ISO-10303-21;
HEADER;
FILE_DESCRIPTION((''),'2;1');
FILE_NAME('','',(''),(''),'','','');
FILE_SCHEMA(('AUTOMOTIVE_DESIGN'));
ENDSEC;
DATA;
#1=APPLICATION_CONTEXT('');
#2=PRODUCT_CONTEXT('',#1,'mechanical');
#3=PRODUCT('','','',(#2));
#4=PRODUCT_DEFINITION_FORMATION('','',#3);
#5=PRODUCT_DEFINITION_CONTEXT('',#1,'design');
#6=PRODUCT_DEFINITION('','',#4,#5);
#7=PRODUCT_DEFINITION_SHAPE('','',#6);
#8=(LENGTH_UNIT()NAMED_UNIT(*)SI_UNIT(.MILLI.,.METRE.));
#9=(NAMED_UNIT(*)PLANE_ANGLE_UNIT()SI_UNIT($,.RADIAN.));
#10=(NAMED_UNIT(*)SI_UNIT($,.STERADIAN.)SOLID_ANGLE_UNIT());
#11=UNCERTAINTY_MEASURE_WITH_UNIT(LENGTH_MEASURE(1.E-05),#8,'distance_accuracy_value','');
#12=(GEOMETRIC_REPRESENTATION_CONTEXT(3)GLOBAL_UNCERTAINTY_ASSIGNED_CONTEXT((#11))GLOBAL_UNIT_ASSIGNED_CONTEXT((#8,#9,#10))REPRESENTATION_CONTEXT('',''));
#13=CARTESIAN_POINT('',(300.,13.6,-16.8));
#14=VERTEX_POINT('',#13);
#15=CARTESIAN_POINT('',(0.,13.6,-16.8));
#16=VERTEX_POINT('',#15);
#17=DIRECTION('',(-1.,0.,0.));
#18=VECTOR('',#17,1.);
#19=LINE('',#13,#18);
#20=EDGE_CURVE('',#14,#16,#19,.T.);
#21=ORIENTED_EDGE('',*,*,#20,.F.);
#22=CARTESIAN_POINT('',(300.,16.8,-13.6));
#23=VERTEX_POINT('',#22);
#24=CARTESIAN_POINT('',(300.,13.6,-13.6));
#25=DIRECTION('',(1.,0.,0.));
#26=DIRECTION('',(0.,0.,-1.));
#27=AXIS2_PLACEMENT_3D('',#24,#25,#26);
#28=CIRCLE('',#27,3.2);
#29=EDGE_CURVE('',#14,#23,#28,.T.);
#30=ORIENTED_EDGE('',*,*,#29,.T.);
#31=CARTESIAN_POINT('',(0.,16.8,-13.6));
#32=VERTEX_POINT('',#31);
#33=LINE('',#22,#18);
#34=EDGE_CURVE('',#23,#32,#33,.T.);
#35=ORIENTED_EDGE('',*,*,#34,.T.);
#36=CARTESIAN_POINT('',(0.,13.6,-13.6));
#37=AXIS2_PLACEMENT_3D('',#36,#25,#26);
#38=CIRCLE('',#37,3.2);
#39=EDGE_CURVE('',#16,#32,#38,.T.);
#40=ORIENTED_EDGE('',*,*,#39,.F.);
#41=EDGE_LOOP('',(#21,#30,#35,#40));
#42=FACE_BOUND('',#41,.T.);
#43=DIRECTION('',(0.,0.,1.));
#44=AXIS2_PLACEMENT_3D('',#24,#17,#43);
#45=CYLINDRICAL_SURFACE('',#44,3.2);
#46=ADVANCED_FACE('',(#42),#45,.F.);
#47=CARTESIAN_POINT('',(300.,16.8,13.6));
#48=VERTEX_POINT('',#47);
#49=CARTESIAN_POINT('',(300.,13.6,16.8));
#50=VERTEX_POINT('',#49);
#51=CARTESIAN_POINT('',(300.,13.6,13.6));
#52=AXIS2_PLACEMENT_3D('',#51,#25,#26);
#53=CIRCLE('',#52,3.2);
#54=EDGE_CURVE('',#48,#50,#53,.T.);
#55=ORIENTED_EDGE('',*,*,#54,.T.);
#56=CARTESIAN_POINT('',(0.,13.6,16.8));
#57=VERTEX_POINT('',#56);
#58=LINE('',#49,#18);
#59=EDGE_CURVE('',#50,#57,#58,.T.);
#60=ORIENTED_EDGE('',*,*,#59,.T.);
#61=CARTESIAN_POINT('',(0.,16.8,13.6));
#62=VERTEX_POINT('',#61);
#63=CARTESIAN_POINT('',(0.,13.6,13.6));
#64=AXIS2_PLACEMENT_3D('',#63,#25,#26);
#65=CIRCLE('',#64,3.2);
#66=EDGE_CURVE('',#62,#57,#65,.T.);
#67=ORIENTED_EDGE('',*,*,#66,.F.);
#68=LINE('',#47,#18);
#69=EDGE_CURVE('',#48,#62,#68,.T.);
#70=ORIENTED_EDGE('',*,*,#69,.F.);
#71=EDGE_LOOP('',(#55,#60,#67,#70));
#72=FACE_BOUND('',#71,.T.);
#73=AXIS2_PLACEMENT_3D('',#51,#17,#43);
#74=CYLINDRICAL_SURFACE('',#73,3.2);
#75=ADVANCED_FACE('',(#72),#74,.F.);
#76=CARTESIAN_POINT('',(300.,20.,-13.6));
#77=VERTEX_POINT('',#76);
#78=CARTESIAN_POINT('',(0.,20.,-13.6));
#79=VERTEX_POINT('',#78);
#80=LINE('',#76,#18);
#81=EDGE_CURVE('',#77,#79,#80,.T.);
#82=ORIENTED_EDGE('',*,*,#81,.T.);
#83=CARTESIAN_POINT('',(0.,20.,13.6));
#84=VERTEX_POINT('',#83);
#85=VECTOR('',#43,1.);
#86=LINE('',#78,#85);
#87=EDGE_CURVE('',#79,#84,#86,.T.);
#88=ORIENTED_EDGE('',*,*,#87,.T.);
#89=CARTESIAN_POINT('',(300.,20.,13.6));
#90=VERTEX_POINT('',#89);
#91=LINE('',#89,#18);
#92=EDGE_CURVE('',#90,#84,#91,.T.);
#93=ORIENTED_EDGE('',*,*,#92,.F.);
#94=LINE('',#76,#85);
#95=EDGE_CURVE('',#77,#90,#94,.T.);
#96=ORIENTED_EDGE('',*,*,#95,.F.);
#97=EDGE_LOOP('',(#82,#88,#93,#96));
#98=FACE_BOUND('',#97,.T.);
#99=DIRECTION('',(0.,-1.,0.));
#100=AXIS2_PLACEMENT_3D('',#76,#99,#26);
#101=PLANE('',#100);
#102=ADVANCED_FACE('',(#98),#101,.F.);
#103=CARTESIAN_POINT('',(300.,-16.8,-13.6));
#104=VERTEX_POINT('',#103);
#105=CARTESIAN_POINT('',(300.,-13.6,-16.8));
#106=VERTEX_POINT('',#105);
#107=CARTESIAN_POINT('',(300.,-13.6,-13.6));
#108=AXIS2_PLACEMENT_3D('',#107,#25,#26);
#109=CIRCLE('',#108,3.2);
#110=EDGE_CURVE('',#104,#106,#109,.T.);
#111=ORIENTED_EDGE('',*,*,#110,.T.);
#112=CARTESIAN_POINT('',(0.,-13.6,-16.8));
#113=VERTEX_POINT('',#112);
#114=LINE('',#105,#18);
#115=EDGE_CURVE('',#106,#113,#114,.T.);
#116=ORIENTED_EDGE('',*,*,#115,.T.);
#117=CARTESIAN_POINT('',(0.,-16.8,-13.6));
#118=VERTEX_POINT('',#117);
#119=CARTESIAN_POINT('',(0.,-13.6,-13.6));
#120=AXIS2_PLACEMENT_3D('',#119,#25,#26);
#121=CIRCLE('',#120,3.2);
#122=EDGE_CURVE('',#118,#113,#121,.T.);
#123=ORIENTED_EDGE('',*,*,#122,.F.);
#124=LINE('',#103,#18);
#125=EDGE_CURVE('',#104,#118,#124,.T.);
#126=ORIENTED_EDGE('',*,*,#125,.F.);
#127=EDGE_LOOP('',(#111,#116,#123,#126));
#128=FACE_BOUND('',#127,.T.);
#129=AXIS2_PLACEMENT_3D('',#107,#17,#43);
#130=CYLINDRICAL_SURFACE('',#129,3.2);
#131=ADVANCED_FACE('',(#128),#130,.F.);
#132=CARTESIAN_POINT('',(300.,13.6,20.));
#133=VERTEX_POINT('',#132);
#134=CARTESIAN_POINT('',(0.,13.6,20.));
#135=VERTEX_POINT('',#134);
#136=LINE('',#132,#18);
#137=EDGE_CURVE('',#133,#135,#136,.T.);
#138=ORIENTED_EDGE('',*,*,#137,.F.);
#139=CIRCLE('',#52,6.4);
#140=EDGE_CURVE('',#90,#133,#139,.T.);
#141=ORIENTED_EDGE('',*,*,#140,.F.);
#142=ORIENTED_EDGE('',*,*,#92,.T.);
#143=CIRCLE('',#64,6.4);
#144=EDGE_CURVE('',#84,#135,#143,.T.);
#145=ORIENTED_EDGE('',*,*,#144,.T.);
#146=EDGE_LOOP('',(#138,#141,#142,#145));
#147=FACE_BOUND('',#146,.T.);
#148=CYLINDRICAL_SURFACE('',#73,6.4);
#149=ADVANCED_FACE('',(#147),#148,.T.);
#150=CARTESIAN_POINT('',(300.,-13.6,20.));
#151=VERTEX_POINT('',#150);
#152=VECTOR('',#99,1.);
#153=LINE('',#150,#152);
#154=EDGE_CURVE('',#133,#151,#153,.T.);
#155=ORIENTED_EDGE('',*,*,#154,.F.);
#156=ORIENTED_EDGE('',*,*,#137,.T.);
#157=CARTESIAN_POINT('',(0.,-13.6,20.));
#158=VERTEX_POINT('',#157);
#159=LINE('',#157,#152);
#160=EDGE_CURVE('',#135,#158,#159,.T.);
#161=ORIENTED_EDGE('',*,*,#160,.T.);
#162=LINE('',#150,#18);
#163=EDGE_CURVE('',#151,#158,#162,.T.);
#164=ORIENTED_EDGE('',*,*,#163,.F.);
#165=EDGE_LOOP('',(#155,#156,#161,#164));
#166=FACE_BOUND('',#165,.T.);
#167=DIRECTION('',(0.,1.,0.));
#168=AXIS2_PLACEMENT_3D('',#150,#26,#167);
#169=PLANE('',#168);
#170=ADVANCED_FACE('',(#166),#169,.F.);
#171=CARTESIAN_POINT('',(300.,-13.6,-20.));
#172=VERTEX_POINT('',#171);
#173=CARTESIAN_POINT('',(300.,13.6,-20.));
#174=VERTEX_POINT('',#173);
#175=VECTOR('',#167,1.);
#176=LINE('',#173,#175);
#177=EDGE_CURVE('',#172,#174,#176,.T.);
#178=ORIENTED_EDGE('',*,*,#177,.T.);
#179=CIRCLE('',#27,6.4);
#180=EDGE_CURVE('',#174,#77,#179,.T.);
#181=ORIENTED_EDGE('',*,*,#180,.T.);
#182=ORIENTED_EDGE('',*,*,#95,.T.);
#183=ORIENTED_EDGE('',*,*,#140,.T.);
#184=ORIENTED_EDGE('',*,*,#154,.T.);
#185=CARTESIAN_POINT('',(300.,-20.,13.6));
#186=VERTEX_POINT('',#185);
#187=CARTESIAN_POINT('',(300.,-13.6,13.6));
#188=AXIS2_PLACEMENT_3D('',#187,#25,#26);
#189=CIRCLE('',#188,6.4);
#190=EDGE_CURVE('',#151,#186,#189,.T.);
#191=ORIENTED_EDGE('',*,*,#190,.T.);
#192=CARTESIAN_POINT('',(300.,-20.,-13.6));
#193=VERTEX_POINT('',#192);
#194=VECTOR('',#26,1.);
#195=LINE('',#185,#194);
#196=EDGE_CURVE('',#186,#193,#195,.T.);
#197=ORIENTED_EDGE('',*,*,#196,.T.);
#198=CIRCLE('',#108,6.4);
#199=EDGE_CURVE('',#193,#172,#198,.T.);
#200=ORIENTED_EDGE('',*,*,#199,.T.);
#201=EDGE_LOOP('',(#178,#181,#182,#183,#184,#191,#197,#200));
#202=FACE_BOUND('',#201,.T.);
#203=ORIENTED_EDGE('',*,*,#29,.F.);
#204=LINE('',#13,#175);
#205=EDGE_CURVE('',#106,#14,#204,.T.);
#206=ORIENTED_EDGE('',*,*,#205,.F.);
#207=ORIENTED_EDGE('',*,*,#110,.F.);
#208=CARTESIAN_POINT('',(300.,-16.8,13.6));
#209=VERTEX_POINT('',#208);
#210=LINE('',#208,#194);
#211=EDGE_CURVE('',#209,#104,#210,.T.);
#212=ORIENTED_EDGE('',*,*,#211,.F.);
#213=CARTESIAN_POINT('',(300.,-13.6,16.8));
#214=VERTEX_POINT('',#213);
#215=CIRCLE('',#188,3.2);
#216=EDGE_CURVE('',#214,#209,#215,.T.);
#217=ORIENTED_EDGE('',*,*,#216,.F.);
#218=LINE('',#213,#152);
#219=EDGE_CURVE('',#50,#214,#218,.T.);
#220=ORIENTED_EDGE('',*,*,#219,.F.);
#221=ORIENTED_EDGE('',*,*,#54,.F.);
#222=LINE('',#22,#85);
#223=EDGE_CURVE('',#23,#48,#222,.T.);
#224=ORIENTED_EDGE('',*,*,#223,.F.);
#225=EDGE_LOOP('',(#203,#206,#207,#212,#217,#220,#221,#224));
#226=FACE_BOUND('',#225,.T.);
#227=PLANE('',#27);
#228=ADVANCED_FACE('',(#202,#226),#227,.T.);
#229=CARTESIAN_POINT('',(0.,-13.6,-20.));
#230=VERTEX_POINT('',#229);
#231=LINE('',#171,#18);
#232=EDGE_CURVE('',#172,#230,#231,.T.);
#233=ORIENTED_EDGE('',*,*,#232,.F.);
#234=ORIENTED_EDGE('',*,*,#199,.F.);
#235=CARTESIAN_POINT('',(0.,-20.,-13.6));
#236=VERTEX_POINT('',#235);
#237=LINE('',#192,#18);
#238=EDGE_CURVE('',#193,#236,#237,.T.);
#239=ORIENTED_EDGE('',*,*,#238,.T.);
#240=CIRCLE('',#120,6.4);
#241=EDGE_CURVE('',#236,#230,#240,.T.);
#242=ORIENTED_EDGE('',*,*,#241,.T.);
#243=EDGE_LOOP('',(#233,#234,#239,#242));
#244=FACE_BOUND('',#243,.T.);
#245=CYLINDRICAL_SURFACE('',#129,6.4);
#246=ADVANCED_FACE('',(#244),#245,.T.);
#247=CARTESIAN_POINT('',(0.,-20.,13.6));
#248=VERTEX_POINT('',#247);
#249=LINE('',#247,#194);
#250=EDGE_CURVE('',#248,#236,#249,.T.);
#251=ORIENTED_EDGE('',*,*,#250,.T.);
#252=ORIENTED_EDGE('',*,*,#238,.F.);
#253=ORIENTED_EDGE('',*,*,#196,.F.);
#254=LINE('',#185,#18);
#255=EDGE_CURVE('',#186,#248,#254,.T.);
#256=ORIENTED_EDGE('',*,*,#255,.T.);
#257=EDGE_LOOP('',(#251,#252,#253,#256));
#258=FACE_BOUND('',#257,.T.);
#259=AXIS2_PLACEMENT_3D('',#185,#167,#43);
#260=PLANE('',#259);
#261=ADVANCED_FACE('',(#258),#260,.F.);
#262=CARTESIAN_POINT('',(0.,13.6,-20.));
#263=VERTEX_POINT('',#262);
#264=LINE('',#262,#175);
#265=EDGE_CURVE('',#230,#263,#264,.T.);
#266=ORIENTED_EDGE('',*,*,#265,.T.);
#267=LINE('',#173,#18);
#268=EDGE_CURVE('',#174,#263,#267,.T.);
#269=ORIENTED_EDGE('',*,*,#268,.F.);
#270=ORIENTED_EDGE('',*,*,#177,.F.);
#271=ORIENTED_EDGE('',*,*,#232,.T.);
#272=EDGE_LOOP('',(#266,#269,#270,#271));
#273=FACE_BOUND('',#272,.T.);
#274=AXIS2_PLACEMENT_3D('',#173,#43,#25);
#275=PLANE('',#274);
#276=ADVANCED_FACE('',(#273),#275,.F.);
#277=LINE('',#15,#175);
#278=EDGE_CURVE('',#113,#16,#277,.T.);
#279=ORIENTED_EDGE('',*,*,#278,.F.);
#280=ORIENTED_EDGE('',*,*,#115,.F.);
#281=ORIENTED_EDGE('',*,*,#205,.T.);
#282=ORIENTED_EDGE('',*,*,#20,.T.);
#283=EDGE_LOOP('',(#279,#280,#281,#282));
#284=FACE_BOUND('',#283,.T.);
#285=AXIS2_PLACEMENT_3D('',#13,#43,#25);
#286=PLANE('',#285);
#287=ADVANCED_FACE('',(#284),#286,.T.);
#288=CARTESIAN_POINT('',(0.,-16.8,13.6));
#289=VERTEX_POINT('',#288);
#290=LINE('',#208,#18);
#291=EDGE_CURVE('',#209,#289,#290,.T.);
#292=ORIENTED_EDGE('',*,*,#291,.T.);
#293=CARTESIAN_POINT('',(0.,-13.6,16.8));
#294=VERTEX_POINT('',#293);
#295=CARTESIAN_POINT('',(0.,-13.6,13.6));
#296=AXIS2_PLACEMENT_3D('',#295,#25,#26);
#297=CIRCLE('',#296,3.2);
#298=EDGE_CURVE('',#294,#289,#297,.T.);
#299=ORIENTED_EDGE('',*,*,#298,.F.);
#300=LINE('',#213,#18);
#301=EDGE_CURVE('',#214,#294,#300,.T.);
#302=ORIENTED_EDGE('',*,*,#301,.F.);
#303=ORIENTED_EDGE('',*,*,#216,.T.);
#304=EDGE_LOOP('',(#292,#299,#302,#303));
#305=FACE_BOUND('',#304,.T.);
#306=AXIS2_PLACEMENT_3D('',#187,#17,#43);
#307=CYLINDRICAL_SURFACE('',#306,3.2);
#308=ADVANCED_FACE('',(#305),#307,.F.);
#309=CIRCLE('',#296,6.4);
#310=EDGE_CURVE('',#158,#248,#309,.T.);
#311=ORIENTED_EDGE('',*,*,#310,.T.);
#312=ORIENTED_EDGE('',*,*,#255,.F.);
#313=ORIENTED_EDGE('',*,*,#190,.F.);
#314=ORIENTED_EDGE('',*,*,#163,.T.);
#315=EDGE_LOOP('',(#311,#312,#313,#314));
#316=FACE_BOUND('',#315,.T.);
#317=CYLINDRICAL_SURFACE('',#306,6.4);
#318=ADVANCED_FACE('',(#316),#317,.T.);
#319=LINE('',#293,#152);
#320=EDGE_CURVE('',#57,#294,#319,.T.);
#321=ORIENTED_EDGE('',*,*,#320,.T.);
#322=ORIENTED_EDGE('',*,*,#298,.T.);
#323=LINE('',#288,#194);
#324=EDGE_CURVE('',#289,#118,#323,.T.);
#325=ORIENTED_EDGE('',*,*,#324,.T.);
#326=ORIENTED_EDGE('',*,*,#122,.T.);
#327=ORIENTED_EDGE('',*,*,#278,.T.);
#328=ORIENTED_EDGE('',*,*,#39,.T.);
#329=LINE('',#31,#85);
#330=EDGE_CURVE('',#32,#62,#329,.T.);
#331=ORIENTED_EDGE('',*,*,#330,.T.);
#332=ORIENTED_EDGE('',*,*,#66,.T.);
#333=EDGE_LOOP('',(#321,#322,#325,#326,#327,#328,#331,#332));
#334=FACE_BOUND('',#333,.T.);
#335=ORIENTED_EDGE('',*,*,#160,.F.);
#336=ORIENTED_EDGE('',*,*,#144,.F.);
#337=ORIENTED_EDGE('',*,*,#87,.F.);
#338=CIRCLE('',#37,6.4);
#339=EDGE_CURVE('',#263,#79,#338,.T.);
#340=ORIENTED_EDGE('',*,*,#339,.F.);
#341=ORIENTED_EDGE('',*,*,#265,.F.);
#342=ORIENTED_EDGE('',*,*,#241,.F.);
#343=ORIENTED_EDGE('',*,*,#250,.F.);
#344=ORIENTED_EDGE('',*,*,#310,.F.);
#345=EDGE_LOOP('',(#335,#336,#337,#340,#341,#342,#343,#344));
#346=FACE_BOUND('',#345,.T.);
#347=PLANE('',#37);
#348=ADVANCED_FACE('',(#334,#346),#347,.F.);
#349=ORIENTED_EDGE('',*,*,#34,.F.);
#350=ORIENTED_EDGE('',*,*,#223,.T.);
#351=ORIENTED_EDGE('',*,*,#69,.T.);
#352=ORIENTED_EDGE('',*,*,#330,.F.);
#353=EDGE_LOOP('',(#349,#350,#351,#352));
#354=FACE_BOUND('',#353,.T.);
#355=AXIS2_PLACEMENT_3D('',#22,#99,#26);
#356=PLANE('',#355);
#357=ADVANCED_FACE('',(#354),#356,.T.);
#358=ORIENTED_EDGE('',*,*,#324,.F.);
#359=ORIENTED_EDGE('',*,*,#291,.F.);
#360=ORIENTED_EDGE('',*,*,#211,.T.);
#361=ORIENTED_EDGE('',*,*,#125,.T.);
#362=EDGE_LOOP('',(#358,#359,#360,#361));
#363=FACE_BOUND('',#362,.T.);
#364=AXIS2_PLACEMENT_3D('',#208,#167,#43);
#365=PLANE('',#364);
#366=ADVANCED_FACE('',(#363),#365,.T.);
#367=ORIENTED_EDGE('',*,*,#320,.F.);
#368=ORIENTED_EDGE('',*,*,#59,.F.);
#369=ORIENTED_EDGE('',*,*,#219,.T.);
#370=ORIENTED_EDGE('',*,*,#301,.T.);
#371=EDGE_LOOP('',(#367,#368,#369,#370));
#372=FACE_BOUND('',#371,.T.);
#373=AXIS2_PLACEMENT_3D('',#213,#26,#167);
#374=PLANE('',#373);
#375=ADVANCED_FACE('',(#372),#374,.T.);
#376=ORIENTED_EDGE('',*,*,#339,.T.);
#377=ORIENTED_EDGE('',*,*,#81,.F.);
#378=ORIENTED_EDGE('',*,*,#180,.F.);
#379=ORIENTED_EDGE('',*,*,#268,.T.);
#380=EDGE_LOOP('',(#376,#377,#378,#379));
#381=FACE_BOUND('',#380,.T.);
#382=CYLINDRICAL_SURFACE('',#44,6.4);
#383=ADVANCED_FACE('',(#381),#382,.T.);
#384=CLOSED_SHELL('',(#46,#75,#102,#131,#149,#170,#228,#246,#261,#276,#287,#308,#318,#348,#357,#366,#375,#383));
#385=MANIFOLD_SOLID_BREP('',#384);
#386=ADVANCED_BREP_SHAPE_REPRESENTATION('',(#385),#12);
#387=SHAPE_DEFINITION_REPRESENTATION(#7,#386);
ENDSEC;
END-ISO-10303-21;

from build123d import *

# Parameters (mm, degrees)
TUBE_SQUARE_40_X_40_X_3_2_6_DEPTH = 300


with BuildPart() as part:
    # Sketch12 → Tube (square) 40 X 40 X 3.2(6) (new body)
    with BuildSketch(Plane(origin=(0, 0, 0), x_dir=(0, 0, -1), z_dir=(1, 0, 0))):
        with BuildLine():
            Line((-13.6, -20), (13.6, -20))
            ThreePointArc((13.6, -20), (18.1254834, -18.1254834), (20, -13.6))
            Line((20, -13.6), (20, 13.6))
            ThreePointArc((20, 13.6), (18.1254834, 18.1254834), (13.6, 20))
            Line((13.6, 20), (-13.6, 20))
            ThreePointArc((-13.6, 20), (-18.1254834, 18.1254834), (-20, 13.6))
            Line((-20, 13.6), (-20, -13.6))
            ThreePointArc((-20, -13.6), (-18.1254834, -18.1254834), (-13.6, -20))
        make_face()
        with BuildLine():
            Line((-13.6, -16.8), (13.6, -16.8))
            ThreePointArc((13.6, -16.8), (15.8627417, -15.8627417), (16.8, -13.6))
            Line((16.8, -13.6), (16.8, 13.6))
            ThreePointArc((16.8, 13.6), (15.8627417, 15.8627417), (13.6, 16.8))
            Line((13.6, 16.8), (-13.6, 16.8))
            ThreePointArc((-13.6, 16.8), (-15.8627417, 15.8627417), (-16.8, 13.6))
            Line((-16.8, 13.6), (-16.8, -13.6))
            ThreePointArc((-16.8, -13.6), (-15.8627417, -15.8627417), (-13.6, -16.8))
        make_face(mode=Mode.SUBTRACT)
    extrude(amount=TUBE_SQUARE_40_X_40_X_3_2_6_DEPTH)


solid = part.part
